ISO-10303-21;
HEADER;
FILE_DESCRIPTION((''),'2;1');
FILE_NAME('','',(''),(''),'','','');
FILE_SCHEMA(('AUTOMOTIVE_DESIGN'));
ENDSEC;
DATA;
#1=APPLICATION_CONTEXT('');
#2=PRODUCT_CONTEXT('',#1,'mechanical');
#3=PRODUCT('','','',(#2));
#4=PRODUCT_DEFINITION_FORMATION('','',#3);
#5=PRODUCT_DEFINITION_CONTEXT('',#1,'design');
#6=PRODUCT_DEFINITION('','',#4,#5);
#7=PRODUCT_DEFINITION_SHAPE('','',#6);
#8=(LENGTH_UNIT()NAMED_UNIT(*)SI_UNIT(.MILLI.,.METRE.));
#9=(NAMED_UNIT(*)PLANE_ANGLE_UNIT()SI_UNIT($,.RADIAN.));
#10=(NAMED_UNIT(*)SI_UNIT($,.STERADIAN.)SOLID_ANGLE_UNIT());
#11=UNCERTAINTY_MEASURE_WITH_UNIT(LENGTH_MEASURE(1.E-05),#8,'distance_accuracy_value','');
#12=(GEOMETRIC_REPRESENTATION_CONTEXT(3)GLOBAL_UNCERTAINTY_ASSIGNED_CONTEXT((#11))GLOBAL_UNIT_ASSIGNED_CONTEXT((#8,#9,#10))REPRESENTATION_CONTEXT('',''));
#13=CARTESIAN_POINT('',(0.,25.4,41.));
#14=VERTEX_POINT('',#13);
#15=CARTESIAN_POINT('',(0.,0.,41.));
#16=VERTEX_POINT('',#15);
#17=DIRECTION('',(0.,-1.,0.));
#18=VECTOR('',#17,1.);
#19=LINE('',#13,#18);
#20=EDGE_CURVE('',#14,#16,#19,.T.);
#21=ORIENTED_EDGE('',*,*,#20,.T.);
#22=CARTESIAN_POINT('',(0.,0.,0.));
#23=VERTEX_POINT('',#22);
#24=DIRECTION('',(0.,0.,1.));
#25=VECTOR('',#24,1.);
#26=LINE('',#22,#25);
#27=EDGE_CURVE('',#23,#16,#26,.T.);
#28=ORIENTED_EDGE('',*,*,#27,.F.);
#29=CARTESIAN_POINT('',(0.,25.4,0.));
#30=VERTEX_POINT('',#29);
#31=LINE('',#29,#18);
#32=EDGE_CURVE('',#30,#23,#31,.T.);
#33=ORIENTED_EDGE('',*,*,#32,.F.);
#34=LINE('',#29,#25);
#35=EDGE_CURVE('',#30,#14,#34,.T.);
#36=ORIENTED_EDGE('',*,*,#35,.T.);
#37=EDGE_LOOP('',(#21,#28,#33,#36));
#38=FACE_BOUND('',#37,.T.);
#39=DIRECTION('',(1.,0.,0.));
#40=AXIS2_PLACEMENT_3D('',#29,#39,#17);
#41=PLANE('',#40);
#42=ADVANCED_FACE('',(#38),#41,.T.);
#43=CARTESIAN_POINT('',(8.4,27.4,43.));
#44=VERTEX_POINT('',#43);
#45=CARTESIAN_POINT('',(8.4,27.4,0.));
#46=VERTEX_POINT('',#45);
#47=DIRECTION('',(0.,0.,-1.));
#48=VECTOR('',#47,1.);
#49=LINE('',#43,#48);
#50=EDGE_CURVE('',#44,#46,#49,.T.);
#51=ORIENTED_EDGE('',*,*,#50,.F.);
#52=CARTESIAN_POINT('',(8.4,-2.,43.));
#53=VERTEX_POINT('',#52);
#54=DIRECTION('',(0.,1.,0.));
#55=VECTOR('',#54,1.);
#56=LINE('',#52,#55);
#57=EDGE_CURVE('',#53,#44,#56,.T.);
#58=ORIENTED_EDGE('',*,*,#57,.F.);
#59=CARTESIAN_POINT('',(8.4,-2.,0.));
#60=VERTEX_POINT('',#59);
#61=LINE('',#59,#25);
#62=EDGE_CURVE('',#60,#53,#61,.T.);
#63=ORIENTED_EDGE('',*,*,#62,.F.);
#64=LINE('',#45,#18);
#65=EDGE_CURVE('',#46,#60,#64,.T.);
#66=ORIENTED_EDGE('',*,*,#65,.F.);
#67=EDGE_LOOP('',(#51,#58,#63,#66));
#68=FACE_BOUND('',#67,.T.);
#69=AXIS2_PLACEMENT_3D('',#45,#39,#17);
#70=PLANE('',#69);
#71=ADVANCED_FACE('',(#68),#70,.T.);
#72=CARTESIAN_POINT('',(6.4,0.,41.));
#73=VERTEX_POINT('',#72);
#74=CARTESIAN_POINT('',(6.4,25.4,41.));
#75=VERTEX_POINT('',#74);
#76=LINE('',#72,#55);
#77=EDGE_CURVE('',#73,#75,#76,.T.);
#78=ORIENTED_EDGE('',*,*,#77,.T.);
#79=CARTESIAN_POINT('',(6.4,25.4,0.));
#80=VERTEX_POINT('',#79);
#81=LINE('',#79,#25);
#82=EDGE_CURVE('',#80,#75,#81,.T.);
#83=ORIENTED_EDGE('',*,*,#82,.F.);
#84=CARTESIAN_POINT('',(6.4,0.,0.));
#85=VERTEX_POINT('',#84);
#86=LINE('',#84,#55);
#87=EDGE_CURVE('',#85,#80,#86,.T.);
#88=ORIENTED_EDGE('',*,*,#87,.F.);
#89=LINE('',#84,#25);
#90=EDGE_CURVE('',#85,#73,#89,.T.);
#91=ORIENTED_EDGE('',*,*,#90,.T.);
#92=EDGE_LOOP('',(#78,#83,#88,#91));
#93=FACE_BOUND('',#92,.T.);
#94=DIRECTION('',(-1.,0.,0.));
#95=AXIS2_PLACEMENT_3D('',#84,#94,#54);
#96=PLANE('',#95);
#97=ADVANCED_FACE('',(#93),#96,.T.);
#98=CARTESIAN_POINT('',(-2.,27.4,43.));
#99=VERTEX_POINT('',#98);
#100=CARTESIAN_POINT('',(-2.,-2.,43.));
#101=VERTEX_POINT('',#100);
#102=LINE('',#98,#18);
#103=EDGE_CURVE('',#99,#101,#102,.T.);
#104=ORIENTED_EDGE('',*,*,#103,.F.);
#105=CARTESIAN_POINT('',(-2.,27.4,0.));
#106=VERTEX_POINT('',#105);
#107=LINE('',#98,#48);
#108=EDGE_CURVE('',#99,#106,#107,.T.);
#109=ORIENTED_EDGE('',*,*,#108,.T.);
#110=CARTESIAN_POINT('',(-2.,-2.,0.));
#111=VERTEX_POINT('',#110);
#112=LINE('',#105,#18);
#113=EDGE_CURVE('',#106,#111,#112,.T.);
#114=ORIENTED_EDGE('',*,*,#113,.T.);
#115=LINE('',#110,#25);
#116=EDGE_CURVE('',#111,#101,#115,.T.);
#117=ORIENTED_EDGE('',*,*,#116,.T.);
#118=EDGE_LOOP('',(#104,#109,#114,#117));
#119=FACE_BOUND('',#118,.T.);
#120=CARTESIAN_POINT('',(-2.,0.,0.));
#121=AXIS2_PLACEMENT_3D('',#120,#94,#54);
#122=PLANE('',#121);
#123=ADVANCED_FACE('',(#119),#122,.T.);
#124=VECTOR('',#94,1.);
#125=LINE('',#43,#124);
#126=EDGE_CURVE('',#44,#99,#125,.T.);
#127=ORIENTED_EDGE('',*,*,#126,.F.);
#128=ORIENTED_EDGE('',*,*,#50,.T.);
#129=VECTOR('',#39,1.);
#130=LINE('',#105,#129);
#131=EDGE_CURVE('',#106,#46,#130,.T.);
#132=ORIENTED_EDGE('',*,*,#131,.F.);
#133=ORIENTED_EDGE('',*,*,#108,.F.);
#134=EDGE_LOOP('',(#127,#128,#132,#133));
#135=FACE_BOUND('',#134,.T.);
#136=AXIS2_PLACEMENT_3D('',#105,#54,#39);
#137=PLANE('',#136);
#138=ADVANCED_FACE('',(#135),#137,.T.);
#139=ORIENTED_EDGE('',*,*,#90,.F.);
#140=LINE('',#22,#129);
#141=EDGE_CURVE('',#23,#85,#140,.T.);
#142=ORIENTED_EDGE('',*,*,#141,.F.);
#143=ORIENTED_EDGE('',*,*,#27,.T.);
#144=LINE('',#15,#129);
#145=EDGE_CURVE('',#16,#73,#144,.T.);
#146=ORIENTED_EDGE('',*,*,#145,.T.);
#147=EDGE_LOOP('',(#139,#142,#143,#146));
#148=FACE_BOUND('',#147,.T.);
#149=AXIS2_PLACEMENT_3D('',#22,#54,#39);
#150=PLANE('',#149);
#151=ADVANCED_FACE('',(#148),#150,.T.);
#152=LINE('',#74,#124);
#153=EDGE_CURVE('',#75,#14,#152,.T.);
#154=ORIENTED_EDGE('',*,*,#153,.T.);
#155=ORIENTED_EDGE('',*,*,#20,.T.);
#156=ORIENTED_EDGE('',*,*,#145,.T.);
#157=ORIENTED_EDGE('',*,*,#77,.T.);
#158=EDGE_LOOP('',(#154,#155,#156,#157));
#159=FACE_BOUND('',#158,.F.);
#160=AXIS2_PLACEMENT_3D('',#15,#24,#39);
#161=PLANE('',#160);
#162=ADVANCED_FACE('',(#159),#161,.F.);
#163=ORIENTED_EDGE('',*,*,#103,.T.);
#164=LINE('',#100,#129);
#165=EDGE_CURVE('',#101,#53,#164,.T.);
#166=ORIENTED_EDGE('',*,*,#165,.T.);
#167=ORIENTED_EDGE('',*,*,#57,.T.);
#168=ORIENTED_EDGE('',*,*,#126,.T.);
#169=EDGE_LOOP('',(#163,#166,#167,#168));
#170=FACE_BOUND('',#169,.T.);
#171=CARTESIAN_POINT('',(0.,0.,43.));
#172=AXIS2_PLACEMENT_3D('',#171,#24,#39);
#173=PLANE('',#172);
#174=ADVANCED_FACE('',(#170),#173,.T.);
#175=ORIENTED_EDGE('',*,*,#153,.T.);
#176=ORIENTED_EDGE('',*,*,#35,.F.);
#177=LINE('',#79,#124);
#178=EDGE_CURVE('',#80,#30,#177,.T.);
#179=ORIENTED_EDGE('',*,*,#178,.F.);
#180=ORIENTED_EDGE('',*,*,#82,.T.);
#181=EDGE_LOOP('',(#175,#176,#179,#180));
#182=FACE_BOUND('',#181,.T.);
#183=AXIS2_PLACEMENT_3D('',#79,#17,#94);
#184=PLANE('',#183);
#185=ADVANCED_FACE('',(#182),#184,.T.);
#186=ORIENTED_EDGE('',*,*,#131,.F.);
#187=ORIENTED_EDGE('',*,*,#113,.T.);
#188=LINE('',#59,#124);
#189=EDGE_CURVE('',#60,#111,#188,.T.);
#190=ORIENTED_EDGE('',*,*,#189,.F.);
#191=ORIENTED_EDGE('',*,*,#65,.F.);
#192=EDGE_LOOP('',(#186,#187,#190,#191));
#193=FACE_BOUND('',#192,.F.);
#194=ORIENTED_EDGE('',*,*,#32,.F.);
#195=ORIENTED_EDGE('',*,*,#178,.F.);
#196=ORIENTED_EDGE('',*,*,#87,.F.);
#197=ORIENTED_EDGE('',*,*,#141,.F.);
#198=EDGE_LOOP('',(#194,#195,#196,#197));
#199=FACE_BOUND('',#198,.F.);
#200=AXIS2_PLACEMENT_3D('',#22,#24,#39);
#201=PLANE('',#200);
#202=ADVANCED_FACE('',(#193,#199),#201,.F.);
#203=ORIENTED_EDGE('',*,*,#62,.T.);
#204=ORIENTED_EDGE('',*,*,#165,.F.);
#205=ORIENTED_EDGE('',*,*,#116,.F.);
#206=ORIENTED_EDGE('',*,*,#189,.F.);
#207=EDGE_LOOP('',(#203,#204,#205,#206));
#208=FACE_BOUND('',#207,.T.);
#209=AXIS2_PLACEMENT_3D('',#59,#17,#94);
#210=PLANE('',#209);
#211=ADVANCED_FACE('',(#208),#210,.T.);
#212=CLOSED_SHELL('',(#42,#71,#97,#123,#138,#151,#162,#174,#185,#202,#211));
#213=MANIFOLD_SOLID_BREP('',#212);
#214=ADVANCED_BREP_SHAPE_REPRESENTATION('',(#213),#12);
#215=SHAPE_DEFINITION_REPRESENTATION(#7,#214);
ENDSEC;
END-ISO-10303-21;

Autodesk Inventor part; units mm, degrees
ref_plane "YZ Plane" through (0, 0, 0) normal (1, 0, 0) x (0, 1, 0)
ref_plane "XZ Plane" through (0, 0, 0) normal (0, 1, 0) x (-1, 0, 0)
ref_plane "XY Plane" through (0, 0, 0) normal (0, 0, 1) x (1, 0, 0)
sketch "Boceto1" plane through (0, 0, 0) normal (0, 0, 1) x (1, 0, 0)
  line L0 (0, 0) -> (6.4, 0)
  line L1 (6.4, 0) -> (6.4, 25.4)
  line L2 (6.4, 25.4) -> (0, 25.4)
  line L3 (0, 25.4) -> (0, 0)
  line L4 (-2, 0) -> (-2, 27.4)
  line L5 (-2, 27.4) -> (8.4, 27.4)
  line L6 (8.4, 27.4) -> (8.4, -2)
  line L7 (8.4, -2) -> (-2, -2)
  line L8 (-2, -2) -> (-2, 0)
  dimension "d0" = 6.4
  dimension "d1" = 25.4
  dimension "d2" = 2
  dimension "d3" = 27.4
  dimension "d4" = 10.4
  dimension "d5" = 29.4
extrude "Extrusión1" add sketch "Boceto1" along normal blind 41
sketch "Boceto2" plane through (0, 0, 41) normal (0, 0, 1) x (1, 0, 0)
  line L0 (-2, -2) -> (8.4, -2) projected
  line L1 (-2, -2) -> (8.4, -2)
  line L2 (8.4, -2) -> (8.4, 27.4)
  line L3 (8.4, 27.4) -> (-2, 27.4)
  line L4 (-2, 27.4) -> (-2, -2)
  point P0 (0, 0)
extrude "Extrusión2" add sketch "Boceto2" along normal blind 2
properties part number "Mangas_soporte_molde"
